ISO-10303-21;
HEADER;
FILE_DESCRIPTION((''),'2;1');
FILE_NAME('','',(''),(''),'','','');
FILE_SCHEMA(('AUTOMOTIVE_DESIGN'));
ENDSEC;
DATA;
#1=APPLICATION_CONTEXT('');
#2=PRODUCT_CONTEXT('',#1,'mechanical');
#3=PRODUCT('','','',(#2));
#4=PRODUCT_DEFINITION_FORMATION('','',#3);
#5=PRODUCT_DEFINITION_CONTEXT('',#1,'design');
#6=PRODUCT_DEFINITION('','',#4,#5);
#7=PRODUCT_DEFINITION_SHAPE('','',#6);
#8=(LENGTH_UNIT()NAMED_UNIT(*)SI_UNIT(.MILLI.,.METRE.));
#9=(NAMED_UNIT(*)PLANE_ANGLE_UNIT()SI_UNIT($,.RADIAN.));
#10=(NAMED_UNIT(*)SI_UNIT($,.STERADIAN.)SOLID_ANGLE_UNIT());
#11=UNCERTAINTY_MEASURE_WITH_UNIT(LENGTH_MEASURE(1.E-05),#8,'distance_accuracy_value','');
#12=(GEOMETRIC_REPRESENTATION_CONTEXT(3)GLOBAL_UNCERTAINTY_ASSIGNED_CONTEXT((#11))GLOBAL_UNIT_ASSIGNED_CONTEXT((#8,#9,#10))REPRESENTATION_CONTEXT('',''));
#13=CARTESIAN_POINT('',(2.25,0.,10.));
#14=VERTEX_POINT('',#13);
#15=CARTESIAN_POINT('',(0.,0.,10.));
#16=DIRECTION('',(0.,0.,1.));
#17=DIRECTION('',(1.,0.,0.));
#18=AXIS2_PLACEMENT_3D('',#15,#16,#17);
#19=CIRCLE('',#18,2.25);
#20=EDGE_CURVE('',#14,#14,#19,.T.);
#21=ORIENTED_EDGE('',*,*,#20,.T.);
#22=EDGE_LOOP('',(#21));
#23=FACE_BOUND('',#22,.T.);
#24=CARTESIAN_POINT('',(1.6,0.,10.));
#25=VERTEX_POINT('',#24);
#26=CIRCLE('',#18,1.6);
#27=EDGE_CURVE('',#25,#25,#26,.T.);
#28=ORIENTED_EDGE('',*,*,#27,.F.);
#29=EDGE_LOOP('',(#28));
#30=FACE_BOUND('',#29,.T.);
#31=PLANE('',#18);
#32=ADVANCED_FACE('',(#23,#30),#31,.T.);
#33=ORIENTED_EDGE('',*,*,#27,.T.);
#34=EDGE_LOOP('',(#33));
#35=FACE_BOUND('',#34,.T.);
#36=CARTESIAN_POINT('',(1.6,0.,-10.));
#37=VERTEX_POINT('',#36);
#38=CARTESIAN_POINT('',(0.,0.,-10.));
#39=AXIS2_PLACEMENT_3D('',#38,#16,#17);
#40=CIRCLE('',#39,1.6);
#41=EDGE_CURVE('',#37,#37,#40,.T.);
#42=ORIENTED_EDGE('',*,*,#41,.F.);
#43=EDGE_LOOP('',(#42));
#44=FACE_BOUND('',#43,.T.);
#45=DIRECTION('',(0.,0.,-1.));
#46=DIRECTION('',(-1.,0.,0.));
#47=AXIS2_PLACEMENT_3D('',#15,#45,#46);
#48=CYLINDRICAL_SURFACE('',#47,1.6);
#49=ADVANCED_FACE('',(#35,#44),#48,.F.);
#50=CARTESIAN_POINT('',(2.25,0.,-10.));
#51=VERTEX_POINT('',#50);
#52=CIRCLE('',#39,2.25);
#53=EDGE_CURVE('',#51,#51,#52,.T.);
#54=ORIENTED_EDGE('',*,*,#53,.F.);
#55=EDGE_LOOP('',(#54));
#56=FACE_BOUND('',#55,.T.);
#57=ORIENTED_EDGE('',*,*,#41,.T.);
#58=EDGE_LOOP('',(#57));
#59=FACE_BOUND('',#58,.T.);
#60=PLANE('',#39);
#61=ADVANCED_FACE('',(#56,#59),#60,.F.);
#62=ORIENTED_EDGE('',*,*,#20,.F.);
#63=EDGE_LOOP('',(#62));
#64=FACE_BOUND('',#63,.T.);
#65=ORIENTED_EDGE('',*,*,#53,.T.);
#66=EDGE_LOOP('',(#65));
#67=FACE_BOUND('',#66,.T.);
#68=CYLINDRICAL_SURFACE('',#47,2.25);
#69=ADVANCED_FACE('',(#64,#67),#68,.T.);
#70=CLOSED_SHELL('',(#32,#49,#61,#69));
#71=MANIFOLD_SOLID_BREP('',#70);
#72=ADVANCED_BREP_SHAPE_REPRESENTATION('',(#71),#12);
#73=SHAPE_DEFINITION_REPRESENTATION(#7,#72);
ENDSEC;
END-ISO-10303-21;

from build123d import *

# Parameters (mm, degrees)
SKETCH1_R      = 2.25
SKETCH1_R_2    = 1.6
EXTRUDE1_DEPTH = 10


with BuildPart() as part:
    # Sketch1 → Extrude1 (new body, symmetric)
    with BuildSketch(Plane.XY):
        Circle(SKETCH1_R)
        Circle(SKETCH1_R_2, mode=Mode.SUBTRACT)
    extrude(amount=EXTRUDE1_DEPTH, both=True)


solid = part.part
